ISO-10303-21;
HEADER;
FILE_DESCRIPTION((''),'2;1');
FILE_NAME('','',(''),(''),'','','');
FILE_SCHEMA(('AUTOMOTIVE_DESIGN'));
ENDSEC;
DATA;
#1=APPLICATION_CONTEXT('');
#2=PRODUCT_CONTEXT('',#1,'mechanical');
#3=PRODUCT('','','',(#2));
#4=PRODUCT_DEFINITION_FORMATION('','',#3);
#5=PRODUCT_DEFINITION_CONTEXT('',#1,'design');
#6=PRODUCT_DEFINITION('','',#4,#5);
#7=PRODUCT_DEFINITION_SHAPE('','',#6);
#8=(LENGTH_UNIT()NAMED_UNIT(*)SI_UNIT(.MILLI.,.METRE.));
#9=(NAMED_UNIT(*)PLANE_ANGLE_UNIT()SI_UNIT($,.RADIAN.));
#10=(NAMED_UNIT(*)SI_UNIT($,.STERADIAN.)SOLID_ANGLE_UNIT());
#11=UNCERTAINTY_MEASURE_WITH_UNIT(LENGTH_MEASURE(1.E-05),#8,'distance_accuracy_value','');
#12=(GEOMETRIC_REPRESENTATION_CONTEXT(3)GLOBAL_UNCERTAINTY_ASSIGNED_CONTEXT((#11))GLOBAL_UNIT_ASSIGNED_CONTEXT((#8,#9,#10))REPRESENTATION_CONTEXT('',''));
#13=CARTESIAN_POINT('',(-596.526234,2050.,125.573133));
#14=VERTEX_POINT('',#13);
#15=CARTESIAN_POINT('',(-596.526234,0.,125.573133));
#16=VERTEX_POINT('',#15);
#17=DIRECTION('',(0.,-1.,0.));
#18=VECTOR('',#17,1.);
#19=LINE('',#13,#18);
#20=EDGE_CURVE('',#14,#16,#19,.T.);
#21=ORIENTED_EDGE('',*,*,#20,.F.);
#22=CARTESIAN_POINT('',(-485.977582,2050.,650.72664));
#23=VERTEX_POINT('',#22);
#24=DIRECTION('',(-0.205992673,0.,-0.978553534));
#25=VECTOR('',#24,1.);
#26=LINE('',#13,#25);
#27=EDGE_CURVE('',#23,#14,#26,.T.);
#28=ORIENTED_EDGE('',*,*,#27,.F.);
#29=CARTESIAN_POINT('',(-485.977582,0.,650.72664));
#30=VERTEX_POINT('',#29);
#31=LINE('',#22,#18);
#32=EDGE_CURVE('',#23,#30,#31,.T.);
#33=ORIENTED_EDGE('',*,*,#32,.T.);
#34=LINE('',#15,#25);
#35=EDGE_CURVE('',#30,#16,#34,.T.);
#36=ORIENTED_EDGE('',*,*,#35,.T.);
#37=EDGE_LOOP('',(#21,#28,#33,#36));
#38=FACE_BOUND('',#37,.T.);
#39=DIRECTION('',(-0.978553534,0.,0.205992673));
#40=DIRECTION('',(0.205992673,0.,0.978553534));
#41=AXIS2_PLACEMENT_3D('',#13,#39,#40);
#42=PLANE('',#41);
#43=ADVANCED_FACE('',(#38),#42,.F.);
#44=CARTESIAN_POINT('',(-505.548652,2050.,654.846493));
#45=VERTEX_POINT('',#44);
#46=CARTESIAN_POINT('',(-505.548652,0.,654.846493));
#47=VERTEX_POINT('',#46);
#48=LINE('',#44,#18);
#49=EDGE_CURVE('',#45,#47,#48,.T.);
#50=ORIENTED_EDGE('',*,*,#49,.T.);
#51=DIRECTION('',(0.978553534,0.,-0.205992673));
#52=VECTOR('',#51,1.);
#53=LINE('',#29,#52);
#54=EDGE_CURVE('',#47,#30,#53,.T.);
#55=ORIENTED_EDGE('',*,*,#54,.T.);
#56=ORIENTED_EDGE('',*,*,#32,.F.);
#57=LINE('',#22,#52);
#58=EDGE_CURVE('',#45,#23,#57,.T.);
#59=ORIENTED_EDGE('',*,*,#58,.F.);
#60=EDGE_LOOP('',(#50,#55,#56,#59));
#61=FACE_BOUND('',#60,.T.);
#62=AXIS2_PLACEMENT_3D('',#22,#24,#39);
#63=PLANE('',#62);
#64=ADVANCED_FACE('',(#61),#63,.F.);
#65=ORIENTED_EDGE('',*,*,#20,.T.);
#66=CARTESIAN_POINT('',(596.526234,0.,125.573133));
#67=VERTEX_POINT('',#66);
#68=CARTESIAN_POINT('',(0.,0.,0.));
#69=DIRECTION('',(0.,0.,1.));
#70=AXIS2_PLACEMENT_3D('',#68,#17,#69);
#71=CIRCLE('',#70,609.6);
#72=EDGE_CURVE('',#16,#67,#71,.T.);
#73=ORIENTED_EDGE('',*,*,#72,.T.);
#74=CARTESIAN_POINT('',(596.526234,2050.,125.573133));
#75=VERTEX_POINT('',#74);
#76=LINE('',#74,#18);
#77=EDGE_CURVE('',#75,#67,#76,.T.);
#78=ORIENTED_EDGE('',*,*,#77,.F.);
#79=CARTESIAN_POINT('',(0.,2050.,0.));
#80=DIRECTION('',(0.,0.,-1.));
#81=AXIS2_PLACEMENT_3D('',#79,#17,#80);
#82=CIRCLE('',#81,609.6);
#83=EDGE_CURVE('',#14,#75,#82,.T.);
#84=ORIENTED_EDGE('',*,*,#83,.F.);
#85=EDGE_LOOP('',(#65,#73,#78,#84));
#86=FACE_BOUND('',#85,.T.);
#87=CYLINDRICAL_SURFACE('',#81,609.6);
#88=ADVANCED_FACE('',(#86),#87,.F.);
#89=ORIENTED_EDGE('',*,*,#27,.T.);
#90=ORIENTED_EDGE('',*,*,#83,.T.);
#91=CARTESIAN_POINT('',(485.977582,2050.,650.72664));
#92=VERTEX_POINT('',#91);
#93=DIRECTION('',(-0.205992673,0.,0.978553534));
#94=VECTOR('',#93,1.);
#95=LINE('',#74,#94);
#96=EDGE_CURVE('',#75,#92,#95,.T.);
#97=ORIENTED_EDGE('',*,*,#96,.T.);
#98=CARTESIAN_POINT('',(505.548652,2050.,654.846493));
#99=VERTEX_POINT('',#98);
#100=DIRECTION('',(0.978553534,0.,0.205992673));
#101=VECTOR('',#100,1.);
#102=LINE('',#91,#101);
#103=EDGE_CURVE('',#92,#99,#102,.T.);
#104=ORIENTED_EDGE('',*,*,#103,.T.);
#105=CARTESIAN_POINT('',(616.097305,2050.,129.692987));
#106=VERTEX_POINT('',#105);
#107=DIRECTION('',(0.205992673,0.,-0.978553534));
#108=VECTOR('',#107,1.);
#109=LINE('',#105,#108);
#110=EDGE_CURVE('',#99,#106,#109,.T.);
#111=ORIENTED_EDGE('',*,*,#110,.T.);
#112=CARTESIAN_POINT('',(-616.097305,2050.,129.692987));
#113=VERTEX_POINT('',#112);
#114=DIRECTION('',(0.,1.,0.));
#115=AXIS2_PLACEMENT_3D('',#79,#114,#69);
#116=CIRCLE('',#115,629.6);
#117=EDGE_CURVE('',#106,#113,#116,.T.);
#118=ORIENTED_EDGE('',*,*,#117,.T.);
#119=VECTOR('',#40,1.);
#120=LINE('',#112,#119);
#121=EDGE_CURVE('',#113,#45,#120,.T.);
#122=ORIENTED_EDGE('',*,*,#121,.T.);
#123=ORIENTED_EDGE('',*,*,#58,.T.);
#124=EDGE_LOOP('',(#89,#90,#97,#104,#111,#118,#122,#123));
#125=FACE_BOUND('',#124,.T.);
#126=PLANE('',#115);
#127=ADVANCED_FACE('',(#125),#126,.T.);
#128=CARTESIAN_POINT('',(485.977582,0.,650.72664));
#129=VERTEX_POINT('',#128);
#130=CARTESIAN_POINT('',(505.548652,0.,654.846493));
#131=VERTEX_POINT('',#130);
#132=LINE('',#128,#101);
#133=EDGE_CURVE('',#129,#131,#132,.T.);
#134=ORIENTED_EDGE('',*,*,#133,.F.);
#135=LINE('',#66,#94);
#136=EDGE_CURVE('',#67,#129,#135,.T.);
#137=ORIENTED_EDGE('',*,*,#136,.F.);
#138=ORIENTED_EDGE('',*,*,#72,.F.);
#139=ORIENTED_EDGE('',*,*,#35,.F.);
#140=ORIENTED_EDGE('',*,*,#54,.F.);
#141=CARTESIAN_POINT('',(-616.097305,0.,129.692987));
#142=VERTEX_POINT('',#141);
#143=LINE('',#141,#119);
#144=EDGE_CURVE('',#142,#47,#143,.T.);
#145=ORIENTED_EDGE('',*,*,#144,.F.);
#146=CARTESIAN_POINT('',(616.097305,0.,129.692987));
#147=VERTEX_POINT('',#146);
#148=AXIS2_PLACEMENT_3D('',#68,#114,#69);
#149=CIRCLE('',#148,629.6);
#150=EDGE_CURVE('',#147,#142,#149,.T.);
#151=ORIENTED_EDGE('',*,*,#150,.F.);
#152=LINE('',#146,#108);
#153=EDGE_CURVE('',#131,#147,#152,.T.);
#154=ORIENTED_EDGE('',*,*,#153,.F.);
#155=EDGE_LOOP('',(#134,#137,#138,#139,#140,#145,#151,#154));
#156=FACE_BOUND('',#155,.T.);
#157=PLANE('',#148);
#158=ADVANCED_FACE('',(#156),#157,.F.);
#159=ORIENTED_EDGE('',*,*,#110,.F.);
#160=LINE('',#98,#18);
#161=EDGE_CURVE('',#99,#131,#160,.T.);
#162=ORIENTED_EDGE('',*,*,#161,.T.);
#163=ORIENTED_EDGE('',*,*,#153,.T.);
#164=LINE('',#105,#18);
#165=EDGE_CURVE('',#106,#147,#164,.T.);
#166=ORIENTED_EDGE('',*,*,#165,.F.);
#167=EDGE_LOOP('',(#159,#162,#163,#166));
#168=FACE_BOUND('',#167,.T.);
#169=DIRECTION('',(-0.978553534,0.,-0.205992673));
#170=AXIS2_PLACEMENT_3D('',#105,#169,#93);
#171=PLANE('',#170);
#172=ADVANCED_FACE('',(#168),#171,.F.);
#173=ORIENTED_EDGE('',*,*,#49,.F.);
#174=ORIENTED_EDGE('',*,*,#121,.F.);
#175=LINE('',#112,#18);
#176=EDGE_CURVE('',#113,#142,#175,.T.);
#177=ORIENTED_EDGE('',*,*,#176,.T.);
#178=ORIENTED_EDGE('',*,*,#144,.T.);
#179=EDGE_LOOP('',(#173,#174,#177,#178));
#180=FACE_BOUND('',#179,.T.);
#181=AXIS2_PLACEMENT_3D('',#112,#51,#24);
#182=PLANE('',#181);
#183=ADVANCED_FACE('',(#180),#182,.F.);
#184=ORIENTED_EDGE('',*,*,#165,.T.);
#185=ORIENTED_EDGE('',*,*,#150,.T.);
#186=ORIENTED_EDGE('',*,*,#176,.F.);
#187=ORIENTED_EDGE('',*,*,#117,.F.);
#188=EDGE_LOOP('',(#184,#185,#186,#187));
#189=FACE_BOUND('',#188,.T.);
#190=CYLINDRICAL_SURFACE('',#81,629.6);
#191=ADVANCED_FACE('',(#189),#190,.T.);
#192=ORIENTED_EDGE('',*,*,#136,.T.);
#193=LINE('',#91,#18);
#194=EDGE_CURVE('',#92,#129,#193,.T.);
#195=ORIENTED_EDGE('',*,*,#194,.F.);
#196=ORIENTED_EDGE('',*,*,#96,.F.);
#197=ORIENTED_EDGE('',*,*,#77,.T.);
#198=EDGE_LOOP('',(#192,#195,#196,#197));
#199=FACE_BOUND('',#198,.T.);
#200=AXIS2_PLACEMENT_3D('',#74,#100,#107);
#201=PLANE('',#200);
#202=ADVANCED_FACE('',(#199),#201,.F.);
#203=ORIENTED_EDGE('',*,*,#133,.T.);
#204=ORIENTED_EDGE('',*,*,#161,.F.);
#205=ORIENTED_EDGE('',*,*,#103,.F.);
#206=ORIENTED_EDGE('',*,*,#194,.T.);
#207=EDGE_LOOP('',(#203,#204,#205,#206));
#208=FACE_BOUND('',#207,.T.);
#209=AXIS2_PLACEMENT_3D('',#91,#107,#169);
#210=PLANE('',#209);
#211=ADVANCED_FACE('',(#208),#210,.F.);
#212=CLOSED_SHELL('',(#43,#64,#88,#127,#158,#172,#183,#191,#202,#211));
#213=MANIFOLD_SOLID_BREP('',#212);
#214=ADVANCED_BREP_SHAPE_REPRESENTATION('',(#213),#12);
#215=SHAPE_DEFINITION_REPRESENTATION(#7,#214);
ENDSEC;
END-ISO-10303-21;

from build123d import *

# Parameters (mm, degrees)
ELECTRONICS_GLASS_EXTRUDE_DEPTH = 2050


with BuildPart() as part:
    # Electronics Glass Sketch → Electronics Glass Extrude (new body)
    with BuildSketch(Plane(origin=(0, 0, 0), x_dir=(1, 0, 0), z_dir=(0, 1, 0))):
        with BuildLine():
            Line((616.097304934, -129.692986908), (505.548652467, -654.846493454))
            Line((505.548652467, -654.846493454), (485.977581789, -650.726639994))
            Line((485.977581789, -650.726639994), (596.526234256, -125.573133448))
            ThreePointArc((596.526234256, -125.573133448), (606.322749203, -63.125936022), (609.6, 0))
            ThreePointArc((609.6, 0), (0, 609.6), (-609.6, 0))
            ThreePointArc((-609.6, 0), (-606.322749203, -63.125936022), (-596.526234256, -125.573133448))
            Line((-596.526234256, -125.573133448), (-485.977581789, -650.726639994))
            Line((-485.977581789, -650.726639994), (-505.548652467, -654.846493454))
            Line((-505.548652467, -654.846493454), (-616.097304934, -129.692986908))
            ThreePointArc((-616.097304934, -129.692986908), (0, 629.6), (616.097304934, -129.692986908))
        make_face()
    extrude(amount=ELECTRONICS_GLASS_EXTRUDE_DEPTH)


solid = part.part
